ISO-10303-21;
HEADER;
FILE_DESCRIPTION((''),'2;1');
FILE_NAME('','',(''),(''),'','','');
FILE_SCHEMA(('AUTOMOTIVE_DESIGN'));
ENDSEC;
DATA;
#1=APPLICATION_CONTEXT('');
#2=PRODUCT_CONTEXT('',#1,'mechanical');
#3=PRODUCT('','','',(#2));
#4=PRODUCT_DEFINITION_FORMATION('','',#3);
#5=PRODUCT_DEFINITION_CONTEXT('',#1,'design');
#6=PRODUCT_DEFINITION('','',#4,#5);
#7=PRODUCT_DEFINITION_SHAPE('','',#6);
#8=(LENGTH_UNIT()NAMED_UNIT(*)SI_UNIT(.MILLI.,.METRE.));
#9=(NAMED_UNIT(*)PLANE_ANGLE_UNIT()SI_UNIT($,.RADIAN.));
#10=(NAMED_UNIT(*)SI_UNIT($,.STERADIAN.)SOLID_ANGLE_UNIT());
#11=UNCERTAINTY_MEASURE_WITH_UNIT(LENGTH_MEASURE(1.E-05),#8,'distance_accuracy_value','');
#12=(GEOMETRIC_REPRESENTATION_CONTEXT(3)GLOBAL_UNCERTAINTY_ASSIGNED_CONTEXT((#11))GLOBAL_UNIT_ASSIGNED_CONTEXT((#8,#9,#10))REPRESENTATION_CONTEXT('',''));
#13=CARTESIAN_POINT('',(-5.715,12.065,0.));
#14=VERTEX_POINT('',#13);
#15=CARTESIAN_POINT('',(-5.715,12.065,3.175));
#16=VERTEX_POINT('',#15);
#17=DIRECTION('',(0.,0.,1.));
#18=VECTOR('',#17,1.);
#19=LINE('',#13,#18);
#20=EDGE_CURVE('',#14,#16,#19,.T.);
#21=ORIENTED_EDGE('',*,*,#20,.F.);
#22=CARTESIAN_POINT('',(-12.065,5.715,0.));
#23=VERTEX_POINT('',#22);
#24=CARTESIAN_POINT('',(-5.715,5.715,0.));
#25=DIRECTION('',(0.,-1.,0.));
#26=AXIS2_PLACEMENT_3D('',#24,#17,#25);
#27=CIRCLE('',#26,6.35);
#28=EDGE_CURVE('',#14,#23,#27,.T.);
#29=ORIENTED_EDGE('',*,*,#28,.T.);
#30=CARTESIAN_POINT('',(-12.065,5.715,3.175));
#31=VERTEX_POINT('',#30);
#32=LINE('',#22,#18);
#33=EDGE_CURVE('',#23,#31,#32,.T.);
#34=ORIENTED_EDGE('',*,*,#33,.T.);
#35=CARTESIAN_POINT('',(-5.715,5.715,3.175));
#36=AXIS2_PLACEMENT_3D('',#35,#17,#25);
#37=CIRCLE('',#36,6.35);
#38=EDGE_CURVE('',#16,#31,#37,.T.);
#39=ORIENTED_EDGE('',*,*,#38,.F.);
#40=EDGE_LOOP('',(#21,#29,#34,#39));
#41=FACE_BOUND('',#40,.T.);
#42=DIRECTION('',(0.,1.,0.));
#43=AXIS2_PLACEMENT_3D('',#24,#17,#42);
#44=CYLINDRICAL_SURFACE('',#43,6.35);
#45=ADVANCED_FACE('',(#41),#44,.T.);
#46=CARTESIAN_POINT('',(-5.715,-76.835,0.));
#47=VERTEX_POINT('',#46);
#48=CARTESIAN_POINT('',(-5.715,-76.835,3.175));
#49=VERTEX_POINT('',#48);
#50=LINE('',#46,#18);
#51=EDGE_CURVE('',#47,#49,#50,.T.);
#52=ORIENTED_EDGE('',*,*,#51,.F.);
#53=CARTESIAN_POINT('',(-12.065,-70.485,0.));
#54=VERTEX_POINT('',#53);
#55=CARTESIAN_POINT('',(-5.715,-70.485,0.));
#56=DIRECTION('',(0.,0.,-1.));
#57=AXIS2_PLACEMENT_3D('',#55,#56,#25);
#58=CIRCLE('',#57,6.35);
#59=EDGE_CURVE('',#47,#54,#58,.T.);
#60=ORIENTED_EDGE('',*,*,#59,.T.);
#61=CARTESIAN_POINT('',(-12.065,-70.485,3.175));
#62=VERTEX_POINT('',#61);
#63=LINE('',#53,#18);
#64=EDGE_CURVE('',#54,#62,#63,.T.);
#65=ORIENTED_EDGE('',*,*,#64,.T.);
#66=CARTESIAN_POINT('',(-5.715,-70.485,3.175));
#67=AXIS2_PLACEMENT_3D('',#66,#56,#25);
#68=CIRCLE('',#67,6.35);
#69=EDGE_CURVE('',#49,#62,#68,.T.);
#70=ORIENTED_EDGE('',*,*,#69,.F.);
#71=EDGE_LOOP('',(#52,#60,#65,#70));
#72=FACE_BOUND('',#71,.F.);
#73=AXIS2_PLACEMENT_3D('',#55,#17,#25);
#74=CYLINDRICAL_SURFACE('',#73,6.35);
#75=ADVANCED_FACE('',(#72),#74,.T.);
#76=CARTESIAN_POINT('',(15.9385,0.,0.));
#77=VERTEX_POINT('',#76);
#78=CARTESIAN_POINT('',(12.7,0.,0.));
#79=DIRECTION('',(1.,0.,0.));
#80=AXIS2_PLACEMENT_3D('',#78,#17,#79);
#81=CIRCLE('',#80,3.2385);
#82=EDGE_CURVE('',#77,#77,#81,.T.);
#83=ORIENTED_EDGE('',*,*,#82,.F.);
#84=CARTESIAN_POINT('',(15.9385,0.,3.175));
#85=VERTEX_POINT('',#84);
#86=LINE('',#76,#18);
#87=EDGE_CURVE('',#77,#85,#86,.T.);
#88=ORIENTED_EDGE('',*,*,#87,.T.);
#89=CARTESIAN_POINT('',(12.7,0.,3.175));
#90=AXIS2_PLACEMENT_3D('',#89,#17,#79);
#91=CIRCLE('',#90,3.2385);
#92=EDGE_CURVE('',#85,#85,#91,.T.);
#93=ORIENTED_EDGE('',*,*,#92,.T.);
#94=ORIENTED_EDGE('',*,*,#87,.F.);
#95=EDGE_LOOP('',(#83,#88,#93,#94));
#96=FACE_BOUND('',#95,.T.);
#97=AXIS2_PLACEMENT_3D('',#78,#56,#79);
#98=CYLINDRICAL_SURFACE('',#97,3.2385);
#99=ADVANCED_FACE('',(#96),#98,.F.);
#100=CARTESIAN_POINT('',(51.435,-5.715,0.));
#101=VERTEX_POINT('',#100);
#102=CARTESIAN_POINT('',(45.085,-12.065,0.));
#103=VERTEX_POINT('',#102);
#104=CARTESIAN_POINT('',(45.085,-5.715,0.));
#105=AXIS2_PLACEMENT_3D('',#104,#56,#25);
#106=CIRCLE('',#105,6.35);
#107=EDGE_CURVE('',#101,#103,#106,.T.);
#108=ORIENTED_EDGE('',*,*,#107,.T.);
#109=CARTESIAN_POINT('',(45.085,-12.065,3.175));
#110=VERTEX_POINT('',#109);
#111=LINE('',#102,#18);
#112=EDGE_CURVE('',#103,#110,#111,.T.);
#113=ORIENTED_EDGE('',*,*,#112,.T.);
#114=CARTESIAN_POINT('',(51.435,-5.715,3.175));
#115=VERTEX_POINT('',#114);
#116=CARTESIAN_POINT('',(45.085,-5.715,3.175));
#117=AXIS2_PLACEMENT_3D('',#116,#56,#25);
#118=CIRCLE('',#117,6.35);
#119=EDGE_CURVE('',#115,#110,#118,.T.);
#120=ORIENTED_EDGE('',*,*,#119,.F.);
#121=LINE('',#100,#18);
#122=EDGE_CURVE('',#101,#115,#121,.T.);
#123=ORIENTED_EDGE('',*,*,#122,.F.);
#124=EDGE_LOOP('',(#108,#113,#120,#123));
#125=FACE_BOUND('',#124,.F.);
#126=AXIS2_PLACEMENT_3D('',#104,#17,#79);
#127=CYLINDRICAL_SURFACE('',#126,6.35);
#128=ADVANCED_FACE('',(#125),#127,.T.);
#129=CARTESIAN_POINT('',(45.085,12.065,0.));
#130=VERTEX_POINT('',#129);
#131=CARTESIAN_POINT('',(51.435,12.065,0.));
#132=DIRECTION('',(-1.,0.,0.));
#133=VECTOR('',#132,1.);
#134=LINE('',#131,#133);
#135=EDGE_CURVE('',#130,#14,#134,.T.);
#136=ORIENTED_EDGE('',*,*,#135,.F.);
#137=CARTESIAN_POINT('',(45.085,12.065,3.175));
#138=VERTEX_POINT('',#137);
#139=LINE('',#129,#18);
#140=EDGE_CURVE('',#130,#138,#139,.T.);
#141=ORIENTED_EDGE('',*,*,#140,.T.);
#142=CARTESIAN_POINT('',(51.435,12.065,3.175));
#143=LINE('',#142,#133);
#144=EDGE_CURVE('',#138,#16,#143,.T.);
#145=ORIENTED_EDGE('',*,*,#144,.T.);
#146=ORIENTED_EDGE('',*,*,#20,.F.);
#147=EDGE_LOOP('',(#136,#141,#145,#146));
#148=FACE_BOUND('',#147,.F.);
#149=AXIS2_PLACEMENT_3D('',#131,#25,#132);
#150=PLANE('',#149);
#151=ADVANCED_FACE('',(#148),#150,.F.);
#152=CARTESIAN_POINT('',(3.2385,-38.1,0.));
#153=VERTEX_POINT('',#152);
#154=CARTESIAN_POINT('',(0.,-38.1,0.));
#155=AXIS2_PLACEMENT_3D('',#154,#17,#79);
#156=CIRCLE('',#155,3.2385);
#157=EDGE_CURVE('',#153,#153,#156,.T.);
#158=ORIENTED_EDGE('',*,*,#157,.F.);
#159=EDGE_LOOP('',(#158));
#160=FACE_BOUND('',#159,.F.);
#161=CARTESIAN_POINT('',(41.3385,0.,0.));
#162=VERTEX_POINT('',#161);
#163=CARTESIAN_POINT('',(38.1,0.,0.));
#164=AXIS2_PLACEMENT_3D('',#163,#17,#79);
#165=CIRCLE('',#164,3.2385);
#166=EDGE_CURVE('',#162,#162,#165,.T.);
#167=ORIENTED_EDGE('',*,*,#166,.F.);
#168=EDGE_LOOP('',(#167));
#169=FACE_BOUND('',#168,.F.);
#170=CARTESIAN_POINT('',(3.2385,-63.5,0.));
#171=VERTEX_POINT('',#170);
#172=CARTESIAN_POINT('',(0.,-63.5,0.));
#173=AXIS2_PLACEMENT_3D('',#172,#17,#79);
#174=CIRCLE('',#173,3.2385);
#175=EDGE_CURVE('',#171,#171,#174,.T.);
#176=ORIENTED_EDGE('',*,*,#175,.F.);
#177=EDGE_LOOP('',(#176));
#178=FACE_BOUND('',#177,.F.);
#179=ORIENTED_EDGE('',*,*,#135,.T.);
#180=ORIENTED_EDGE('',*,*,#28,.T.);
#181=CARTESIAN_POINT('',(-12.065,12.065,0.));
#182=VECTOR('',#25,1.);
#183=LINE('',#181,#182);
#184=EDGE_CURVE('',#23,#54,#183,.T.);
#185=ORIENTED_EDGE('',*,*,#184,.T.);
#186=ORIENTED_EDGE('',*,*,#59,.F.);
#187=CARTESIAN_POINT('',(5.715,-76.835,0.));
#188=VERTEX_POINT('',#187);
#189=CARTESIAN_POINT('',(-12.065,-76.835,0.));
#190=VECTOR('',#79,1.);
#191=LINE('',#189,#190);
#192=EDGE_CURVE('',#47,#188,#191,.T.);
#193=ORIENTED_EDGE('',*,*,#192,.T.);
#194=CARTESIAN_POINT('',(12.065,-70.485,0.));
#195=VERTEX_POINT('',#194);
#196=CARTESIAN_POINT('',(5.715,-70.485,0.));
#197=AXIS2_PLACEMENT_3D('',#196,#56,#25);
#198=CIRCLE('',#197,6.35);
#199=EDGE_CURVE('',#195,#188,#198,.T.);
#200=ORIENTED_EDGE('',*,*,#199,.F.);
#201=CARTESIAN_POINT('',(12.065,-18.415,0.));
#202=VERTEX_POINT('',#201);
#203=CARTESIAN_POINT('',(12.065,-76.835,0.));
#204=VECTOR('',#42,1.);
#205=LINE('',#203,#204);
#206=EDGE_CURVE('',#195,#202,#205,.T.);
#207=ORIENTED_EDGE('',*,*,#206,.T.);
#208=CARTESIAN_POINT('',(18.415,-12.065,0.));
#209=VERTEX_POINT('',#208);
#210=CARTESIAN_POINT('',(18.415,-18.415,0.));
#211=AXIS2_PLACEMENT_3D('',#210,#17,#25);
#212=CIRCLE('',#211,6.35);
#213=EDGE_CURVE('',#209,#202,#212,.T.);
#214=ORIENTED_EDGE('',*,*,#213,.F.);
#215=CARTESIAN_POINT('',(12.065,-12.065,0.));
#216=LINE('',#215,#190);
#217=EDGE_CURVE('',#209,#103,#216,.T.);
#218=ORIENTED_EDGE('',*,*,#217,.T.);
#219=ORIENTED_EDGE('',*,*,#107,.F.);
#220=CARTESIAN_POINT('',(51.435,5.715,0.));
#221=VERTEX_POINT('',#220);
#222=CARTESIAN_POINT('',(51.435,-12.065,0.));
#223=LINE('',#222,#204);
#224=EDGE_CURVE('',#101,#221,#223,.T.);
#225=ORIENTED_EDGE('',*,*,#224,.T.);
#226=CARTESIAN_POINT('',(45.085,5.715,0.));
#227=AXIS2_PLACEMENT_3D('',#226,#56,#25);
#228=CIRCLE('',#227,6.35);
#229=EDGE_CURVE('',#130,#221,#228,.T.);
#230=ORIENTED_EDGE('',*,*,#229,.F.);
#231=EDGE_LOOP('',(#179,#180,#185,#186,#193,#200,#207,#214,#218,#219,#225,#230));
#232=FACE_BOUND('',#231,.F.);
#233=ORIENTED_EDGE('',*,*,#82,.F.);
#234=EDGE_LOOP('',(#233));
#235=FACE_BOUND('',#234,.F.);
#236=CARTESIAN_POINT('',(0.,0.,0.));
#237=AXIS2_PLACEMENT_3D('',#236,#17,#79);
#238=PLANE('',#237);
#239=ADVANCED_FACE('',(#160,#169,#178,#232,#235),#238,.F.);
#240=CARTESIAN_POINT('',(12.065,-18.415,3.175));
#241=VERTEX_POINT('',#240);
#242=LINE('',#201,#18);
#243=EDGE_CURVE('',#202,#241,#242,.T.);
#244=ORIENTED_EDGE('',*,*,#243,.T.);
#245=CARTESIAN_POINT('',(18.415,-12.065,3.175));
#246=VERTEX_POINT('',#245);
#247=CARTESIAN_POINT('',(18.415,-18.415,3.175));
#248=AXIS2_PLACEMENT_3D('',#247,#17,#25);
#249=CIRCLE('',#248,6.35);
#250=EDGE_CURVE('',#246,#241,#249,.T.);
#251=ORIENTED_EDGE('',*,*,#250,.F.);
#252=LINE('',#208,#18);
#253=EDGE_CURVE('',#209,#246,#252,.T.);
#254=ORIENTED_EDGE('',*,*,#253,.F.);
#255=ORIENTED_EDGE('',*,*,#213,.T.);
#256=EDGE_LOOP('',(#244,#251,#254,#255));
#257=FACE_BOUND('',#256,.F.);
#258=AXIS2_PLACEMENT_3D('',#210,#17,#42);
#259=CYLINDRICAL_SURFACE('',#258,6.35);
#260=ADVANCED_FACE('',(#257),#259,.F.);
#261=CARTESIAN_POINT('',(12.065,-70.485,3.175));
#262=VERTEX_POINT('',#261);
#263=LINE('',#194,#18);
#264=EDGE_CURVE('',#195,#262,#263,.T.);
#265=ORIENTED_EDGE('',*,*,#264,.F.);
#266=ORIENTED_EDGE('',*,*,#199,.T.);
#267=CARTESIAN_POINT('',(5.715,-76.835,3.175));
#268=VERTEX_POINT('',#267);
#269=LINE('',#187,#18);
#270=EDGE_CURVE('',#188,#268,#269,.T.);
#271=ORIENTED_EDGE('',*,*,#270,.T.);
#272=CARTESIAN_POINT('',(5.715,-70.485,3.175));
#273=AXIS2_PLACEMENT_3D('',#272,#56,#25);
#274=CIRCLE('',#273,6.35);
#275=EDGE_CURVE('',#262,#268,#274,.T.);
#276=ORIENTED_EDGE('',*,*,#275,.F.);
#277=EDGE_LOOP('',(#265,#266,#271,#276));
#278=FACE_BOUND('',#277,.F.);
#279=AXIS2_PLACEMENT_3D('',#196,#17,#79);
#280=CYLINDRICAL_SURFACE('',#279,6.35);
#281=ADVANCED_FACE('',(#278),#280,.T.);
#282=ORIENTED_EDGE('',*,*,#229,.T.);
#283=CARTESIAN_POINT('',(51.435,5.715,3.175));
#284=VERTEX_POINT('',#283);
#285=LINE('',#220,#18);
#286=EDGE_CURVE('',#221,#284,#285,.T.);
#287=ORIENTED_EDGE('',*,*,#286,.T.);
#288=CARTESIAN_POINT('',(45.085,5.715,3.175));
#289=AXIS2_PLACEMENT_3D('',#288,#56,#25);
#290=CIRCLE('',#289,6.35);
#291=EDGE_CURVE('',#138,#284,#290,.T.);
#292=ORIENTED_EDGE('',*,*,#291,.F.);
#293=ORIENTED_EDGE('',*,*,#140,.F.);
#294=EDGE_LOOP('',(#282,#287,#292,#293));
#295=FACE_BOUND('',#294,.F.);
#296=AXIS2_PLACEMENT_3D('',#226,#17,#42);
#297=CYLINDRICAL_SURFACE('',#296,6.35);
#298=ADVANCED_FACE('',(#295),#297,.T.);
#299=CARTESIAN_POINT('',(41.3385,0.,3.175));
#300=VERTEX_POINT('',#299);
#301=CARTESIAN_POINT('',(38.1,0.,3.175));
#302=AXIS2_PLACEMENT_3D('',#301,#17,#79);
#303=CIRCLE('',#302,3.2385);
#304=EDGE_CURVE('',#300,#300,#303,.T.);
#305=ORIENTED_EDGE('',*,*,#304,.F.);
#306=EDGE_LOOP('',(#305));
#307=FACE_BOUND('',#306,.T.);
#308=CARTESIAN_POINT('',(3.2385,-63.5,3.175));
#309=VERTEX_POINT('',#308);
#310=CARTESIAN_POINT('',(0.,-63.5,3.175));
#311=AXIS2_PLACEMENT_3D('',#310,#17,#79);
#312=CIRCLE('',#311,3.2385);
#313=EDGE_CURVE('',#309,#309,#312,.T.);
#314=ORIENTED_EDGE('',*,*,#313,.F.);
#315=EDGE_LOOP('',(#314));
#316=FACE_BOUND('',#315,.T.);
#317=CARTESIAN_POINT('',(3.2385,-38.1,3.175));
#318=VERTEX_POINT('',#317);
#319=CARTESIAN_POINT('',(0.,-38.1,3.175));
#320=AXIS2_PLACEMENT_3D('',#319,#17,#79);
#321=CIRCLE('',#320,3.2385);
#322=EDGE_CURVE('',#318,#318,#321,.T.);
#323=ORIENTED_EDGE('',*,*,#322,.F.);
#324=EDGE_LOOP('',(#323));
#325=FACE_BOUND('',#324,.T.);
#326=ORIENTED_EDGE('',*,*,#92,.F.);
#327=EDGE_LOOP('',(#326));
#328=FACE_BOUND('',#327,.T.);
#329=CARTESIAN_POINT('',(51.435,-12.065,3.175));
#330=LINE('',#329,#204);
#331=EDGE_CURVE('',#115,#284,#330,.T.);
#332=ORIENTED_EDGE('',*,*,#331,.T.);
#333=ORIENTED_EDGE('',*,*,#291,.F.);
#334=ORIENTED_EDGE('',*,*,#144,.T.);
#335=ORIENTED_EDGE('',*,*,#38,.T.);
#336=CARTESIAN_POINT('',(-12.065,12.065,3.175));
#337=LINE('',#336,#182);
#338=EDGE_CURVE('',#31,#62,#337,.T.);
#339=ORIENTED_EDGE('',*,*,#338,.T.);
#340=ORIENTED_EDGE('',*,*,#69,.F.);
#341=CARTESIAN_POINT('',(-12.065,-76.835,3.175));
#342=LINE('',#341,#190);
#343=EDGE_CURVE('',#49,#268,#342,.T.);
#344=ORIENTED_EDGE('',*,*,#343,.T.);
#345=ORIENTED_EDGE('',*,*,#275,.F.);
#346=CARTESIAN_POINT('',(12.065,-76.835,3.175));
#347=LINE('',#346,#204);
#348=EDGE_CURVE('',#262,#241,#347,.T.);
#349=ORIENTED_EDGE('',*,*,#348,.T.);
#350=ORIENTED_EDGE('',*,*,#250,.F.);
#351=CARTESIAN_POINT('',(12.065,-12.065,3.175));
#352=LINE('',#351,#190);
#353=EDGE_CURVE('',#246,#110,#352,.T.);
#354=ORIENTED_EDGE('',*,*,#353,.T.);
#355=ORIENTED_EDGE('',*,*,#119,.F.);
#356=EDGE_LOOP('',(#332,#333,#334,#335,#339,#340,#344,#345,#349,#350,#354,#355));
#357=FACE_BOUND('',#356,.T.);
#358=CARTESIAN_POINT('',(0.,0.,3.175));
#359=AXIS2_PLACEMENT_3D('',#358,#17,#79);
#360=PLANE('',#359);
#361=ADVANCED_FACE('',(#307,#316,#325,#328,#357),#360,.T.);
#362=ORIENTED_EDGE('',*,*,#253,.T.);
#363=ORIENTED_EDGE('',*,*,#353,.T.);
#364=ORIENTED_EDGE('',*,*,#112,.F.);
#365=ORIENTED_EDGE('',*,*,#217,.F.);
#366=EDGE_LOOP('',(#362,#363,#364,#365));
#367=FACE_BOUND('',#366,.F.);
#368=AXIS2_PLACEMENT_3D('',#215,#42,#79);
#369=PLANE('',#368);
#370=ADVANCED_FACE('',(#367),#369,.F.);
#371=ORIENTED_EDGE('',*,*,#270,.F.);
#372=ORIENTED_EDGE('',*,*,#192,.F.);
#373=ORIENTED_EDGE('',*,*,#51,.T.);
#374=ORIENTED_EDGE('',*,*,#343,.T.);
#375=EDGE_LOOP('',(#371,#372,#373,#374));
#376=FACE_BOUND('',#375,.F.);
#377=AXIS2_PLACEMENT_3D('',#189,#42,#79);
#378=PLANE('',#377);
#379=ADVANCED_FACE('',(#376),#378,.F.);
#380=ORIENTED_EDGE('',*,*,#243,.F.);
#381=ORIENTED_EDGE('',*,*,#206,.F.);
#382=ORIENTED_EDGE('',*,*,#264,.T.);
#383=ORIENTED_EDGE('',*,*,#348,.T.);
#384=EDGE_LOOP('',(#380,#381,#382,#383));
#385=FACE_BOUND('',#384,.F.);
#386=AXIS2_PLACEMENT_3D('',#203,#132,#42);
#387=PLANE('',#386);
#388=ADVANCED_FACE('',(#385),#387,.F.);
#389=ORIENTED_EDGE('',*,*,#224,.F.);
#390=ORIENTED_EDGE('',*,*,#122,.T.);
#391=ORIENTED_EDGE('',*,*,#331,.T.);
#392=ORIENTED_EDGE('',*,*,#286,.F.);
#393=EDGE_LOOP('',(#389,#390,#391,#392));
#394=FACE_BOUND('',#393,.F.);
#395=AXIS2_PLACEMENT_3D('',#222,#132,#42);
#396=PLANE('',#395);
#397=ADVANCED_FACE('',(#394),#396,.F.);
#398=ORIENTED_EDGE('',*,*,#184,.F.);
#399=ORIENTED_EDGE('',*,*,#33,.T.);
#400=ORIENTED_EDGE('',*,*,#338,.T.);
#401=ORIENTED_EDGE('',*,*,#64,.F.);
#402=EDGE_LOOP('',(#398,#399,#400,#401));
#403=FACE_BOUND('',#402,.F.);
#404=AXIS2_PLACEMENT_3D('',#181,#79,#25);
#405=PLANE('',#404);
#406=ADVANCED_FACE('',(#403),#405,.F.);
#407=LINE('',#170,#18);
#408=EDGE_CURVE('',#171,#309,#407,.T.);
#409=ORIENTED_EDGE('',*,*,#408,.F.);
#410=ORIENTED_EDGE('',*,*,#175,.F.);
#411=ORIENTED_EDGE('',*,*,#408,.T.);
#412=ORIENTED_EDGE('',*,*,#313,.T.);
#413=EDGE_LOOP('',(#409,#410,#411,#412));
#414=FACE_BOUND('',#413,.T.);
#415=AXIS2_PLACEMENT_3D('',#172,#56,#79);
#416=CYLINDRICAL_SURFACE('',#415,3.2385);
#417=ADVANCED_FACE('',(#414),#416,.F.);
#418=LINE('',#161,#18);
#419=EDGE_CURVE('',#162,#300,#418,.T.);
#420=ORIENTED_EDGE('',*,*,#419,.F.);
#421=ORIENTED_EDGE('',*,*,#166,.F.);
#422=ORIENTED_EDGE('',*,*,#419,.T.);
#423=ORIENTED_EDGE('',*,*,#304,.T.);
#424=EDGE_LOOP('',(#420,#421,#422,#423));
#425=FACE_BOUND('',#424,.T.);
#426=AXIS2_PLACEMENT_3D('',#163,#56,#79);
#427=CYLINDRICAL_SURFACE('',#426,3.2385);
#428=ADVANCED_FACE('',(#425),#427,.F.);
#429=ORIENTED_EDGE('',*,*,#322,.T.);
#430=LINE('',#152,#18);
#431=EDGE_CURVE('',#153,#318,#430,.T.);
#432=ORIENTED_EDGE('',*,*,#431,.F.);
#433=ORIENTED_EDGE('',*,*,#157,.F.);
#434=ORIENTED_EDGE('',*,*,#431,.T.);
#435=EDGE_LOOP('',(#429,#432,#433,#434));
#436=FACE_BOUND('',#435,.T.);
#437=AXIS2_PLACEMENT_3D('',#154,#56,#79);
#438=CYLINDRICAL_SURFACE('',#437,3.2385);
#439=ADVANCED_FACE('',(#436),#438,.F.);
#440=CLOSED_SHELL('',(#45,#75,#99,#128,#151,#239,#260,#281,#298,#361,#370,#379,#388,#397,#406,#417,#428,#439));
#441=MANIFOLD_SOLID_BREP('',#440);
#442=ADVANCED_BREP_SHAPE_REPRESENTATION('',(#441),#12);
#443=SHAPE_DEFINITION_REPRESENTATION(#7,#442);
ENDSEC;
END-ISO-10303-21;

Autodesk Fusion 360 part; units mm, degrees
sketch "Sketch1" plane through (0, 0, 0) normal (0, 0, 1) x (1, 0, 0)
  circle A0 centre (0, -38.1) radius 3.2385
  circle A1 centre (0, -63.5) radius 3.2385
  circle A2 centre (12.7, 0) radius 3.2385
  circle A3 centre (38.1, 0) radius 3.2385
  line L0 (-12.065, 12.065) -> (-12.065, -76.835)
  line L1 (-12.065, -76.835) -> (12.065, -76.835)
  line L2 (12.065, -76.835) -> (12.065, -12.065)
  line L3 (12.065, -12.065) -> (51.435, -12.065)
  line L4 (51.435, -12.065) -> (51.435, 12.065)
  line L5 (51.435, 12.065) -> (-12.065, 12.065)
  line L6 (0, 0) -> (51.435, 0) construction
  line L7 (0, 0) -> (0, -76.835) construction
  dimension "d1" = 6.477
  dimension "d2" = 38.1
  dimension "d4" = 25.4
  dimension "d6" = 12.7
  dimension "d8" = 24.13
  dimension "d9" = 24.13
  dimension "d10" = 88.9
  dimension "d11" = 25.4
  dimension "d12" = 63.5
extrude "Extrude1" add sketch "Sketch1" along normal blind 3.175
fillet "Fillet1" radius 6.35 6 edges at (12.065, -76.835, 1.5875) (-12.065, -76.835, 1.5875) (-12.065, 12.065, 1.5875) (51.435, -12.065, 1.5875) (51.435, 12.065, 1.5875) (12.065, -12.065, 1.5875)
equation "d13 = ( 1 / 8 ) * 1 in"
